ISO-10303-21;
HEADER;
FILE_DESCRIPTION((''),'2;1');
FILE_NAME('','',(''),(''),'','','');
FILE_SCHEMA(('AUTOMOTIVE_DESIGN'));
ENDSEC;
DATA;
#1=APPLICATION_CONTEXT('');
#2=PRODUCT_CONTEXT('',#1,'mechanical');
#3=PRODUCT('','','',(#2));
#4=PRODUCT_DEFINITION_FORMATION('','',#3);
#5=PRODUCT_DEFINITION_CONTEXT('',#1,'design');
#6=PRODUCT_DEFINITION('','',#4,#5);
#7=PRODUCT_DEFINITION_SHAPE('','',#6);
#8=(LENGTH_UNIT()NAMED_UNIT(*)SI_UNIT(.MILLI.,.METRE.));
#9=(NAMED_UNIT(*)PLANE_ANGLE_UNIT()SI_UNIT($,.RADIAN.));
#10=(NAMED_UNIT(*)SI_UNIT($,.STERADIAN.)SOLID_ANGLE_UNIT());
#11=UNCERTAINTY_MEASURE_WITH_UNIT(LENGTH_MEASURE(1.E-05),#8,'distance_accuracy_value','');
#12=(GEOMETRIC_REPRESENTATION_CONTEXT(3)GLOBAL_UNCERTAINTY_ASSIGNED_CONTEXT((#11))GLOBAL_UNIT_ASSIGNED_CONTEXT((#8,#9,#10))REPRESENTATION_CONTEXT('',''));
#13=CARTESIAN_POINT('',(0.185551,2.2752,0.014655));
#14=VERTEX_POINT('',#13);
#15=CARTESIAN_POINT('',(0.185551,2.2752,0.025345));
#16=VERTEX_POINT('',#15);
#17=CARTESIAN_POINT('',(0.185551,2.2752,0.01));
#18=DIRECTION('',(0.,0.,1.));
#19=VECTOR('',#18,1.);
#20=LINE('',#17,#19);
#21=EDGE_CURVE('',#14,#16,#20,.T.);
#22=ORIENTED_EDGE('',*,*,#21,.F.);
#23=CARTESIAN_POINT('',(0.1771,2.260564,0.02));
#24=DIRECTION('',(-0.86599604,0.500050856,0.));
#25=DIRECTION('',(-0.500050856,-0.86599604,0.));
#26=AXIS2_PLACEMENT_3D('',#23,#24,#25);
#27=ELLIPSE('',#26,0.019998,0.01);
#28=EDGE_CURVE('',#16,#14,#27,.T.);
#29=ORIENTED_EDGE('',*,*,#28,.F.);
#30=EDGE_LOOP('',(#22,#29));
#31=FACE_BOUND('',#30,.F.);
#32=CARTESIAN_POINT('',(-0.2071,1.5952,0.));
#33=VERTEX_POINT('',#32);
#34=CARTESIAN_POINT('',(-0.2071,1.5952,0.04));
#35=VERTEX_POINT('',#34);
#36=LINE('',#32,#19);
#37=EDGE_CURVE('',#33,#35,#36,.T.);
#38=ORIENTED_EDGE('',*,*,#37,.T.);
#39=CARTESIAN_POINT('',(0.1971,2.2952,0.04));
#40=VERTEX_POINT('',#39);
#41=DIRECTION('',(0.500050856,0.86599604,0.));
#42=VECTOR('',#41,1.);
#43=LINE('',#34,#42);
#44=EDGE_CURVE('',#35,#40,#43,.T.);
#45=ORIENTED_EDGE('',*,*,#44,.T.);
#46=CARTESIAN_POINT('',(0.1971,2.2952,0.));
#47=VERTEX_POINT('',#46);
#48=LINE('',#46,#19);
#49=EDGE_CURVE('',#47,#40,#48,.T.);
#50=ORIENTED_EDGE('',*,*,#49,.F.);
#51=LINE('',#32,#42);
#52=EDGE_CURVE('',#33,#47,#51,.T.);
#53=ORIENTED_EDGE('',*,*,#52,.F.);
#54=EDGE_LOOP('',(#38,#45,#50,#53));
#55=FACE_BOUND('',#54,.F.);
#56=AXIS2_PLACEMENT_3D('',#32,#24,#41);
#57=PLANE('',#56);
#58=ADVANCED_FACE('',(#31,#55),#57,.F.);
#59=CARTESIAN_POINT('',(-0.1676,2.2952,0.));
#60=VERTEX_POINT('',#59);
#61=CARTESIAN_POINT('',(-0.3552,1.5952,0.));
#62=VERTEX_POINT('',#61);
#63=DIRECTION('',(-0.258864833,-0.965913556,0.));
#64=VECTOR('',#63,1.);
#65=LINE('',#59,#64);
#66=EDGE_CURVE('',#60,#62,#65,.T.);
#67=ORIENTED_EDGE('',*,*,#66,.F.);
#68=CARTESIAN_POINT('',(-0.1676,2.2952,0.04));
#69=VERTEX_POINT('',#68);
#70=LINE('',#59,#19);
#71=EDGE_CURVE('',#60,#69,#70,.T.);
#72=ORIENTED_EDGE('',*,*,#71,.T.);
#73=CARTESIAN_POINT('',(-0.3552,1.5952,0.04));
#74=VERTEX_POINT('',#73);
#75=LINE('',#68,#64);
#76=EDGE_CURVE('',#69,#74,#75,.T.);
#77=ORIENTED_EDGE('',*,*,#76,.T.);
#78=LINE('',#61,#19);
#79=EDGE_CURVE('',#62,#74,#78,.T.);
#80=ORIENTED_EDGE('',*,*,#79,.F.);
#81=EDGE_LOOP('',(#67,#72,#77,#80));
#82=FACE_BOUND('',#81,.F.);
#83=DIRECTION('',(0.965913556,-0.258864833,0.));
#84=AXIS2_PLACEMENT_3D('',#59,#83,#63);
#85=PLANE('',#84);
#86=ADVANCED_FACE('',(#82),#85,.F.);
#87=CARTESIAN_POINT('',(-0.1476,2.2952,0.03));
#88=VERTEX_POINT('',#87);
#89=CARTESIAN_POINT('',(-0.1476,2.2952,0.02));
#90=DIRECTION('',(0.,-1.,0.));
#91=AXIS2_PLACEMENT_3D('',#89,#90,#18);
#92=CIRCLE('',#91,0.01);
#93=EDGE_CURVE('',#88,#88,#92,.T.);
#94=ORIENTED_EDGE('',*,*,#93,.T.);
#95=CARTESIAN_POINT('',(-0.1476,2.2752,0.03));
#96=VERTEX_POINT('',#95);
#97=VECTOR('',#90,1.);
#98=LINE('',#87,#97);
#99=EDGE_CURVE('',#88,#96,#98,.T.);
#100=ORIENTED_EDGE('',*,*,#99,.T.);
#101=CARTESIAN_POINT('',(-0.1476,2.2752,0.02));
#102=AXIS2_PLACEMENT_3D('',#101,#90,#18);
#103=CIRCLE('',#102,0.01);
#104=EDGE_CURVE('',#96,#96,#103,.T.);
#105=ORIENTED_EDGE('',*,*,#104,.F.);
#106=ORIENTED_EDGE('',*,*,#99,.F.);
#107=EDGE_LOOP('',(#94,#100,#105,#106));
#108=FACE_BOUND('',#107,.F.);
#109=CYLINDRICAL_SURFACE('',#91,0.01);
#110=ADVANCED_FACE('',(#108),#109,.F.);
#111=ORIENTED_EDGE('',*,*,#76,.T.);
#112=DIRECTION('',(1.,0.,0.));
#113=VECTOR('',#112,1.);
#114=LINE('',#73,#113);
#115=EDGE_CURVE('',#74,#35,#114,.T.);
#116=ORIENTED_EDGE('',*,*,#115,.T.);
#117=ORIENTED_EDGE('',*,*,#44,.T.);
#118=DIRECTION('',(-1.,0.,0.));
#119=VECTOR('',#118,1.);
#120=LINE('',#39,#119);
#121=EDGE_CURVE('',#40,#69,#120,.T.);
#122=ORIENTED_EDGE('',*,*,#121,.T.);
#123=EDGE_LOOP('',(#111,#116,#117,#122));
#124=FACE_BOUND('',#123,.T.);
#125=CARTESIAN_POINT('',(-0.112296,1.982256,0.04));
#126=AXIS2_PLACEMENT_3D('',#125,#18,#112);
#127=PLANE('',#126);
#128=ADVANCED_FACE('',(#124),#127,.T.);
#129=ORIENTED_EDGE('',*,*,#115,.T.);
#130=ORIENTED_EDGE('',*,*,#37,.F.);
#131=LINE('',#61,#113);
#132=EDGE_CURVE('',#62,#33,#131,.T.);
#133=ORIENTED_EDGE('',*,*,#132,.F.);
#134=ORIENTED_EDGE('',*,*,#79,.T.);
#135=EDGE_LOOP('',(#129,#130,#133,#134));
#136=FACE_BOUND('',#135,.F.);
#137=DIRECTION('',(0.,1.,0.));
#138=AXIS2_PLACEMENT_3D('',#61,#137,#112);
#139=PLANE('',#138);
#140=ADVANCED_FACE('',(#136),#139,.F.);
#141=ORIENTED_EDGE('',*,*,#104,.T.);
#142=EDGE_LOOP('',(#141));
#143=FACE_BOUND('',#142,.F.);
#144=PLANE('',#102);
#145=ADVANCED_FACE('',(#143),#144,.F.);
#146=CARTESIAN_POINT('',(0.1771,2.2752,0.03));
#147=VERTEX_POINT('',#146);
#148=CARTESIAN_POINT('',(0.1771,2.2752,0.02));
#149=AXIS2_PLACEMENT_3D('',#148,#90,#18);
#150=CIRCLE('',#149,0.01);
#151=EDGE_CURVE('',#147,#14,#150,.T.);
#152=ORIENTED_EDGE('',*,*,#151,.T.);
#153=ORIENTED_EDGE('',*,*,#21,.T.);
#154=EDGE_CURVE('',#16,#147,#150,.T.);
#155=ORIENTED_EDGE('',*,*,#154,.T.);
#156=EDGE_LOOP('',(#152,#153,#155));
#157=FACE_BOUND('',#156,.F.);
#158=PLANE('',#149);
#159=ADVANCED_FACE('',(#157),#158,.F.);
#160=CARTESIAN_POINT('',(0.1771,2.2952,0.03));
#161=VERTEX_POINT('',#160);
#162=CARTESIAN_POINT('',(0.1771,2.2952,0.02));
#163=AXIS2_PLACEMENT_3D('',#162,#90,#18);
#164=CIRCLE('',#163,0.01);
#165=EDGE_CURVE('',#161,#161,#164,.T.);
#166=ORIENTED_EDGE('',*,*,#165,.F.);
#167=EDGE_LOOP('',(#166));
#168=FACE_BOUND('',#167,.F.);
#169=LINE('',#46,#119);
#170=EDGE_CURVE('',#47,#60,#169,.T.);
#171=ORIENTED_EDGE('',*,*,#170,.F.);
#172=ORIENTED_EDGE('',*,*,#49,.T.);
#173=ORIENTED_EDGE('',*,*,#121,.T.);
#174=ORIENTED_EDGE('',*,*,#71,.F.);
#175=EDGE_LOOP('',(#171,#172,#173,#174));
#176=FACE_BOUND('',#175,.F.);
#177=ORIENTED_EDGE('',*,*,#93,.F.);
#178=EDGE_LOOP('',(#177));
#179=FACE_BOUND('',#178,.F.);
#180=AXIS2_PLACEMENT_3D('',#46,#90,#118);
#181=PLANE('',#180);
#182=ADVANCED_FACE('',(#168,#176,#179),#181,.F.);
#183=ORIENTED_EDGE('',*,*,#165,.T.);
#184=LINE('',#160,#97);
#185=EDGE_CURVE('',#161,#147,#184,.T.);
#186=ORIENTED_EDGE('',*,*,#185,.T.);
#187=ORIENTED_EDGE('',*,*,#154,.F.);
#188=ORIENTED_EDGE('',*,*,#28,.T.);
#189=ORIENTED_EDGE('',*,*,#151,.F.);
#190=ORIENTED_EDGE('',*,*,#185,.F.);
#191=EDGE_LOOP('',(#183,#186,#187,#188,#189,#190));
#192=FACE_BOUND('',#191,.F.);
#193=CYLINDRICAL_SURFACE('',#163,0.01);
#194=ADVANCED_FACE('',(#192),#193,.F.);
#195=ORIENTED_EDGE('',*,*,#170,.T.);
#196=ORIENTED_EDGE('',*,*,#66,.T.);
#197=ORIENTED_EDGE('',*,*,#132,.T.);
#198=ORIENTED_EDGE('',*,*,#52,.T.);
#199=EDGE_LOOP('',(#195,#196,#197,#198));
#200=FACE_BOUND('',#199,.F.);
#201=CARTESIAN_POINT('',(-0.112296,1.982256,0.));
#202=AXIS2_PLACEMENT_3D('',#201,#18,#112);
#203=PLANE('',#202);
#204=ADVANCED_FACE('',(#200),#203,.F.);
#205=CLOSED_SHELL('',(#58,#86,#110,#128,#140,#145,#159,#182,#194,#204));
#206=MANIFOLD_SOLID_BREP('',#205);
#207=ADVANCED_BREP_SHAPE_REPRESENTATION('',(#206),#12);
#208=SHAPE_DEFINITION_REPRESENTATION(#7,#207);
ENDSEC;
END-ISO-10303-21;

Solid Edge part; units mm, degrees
sketch "Sketch1" plane through (0, 0, 0) normal (0, 0, 1) x (1, 0, 0)
  line L0 (-0.2071, 1.5952) -> (0.1971, 2.2952)
  line L1 (0.1971, 2.2952) -> (-0.1676, 2.2952)
  line L2 (-0.1676, 2.2952) -> (-0.3552, 1.5952)
  line L3 (-0.3552, 1.5952) -> (-0.2071, 1.5952)
extrude "Protrusion1" add sketch "Sketch1" along normal blind 0.04
hole "Bohrung_13" at (-0.1476, 2.2952, 0.02) direction (0, -1, 0) diameter 0.02 depth 0.02
hole "Hole1" at (0.1771, 2.2952, 0.02) direction (0, -1, 0) diameter 0.02 depth 0.02
